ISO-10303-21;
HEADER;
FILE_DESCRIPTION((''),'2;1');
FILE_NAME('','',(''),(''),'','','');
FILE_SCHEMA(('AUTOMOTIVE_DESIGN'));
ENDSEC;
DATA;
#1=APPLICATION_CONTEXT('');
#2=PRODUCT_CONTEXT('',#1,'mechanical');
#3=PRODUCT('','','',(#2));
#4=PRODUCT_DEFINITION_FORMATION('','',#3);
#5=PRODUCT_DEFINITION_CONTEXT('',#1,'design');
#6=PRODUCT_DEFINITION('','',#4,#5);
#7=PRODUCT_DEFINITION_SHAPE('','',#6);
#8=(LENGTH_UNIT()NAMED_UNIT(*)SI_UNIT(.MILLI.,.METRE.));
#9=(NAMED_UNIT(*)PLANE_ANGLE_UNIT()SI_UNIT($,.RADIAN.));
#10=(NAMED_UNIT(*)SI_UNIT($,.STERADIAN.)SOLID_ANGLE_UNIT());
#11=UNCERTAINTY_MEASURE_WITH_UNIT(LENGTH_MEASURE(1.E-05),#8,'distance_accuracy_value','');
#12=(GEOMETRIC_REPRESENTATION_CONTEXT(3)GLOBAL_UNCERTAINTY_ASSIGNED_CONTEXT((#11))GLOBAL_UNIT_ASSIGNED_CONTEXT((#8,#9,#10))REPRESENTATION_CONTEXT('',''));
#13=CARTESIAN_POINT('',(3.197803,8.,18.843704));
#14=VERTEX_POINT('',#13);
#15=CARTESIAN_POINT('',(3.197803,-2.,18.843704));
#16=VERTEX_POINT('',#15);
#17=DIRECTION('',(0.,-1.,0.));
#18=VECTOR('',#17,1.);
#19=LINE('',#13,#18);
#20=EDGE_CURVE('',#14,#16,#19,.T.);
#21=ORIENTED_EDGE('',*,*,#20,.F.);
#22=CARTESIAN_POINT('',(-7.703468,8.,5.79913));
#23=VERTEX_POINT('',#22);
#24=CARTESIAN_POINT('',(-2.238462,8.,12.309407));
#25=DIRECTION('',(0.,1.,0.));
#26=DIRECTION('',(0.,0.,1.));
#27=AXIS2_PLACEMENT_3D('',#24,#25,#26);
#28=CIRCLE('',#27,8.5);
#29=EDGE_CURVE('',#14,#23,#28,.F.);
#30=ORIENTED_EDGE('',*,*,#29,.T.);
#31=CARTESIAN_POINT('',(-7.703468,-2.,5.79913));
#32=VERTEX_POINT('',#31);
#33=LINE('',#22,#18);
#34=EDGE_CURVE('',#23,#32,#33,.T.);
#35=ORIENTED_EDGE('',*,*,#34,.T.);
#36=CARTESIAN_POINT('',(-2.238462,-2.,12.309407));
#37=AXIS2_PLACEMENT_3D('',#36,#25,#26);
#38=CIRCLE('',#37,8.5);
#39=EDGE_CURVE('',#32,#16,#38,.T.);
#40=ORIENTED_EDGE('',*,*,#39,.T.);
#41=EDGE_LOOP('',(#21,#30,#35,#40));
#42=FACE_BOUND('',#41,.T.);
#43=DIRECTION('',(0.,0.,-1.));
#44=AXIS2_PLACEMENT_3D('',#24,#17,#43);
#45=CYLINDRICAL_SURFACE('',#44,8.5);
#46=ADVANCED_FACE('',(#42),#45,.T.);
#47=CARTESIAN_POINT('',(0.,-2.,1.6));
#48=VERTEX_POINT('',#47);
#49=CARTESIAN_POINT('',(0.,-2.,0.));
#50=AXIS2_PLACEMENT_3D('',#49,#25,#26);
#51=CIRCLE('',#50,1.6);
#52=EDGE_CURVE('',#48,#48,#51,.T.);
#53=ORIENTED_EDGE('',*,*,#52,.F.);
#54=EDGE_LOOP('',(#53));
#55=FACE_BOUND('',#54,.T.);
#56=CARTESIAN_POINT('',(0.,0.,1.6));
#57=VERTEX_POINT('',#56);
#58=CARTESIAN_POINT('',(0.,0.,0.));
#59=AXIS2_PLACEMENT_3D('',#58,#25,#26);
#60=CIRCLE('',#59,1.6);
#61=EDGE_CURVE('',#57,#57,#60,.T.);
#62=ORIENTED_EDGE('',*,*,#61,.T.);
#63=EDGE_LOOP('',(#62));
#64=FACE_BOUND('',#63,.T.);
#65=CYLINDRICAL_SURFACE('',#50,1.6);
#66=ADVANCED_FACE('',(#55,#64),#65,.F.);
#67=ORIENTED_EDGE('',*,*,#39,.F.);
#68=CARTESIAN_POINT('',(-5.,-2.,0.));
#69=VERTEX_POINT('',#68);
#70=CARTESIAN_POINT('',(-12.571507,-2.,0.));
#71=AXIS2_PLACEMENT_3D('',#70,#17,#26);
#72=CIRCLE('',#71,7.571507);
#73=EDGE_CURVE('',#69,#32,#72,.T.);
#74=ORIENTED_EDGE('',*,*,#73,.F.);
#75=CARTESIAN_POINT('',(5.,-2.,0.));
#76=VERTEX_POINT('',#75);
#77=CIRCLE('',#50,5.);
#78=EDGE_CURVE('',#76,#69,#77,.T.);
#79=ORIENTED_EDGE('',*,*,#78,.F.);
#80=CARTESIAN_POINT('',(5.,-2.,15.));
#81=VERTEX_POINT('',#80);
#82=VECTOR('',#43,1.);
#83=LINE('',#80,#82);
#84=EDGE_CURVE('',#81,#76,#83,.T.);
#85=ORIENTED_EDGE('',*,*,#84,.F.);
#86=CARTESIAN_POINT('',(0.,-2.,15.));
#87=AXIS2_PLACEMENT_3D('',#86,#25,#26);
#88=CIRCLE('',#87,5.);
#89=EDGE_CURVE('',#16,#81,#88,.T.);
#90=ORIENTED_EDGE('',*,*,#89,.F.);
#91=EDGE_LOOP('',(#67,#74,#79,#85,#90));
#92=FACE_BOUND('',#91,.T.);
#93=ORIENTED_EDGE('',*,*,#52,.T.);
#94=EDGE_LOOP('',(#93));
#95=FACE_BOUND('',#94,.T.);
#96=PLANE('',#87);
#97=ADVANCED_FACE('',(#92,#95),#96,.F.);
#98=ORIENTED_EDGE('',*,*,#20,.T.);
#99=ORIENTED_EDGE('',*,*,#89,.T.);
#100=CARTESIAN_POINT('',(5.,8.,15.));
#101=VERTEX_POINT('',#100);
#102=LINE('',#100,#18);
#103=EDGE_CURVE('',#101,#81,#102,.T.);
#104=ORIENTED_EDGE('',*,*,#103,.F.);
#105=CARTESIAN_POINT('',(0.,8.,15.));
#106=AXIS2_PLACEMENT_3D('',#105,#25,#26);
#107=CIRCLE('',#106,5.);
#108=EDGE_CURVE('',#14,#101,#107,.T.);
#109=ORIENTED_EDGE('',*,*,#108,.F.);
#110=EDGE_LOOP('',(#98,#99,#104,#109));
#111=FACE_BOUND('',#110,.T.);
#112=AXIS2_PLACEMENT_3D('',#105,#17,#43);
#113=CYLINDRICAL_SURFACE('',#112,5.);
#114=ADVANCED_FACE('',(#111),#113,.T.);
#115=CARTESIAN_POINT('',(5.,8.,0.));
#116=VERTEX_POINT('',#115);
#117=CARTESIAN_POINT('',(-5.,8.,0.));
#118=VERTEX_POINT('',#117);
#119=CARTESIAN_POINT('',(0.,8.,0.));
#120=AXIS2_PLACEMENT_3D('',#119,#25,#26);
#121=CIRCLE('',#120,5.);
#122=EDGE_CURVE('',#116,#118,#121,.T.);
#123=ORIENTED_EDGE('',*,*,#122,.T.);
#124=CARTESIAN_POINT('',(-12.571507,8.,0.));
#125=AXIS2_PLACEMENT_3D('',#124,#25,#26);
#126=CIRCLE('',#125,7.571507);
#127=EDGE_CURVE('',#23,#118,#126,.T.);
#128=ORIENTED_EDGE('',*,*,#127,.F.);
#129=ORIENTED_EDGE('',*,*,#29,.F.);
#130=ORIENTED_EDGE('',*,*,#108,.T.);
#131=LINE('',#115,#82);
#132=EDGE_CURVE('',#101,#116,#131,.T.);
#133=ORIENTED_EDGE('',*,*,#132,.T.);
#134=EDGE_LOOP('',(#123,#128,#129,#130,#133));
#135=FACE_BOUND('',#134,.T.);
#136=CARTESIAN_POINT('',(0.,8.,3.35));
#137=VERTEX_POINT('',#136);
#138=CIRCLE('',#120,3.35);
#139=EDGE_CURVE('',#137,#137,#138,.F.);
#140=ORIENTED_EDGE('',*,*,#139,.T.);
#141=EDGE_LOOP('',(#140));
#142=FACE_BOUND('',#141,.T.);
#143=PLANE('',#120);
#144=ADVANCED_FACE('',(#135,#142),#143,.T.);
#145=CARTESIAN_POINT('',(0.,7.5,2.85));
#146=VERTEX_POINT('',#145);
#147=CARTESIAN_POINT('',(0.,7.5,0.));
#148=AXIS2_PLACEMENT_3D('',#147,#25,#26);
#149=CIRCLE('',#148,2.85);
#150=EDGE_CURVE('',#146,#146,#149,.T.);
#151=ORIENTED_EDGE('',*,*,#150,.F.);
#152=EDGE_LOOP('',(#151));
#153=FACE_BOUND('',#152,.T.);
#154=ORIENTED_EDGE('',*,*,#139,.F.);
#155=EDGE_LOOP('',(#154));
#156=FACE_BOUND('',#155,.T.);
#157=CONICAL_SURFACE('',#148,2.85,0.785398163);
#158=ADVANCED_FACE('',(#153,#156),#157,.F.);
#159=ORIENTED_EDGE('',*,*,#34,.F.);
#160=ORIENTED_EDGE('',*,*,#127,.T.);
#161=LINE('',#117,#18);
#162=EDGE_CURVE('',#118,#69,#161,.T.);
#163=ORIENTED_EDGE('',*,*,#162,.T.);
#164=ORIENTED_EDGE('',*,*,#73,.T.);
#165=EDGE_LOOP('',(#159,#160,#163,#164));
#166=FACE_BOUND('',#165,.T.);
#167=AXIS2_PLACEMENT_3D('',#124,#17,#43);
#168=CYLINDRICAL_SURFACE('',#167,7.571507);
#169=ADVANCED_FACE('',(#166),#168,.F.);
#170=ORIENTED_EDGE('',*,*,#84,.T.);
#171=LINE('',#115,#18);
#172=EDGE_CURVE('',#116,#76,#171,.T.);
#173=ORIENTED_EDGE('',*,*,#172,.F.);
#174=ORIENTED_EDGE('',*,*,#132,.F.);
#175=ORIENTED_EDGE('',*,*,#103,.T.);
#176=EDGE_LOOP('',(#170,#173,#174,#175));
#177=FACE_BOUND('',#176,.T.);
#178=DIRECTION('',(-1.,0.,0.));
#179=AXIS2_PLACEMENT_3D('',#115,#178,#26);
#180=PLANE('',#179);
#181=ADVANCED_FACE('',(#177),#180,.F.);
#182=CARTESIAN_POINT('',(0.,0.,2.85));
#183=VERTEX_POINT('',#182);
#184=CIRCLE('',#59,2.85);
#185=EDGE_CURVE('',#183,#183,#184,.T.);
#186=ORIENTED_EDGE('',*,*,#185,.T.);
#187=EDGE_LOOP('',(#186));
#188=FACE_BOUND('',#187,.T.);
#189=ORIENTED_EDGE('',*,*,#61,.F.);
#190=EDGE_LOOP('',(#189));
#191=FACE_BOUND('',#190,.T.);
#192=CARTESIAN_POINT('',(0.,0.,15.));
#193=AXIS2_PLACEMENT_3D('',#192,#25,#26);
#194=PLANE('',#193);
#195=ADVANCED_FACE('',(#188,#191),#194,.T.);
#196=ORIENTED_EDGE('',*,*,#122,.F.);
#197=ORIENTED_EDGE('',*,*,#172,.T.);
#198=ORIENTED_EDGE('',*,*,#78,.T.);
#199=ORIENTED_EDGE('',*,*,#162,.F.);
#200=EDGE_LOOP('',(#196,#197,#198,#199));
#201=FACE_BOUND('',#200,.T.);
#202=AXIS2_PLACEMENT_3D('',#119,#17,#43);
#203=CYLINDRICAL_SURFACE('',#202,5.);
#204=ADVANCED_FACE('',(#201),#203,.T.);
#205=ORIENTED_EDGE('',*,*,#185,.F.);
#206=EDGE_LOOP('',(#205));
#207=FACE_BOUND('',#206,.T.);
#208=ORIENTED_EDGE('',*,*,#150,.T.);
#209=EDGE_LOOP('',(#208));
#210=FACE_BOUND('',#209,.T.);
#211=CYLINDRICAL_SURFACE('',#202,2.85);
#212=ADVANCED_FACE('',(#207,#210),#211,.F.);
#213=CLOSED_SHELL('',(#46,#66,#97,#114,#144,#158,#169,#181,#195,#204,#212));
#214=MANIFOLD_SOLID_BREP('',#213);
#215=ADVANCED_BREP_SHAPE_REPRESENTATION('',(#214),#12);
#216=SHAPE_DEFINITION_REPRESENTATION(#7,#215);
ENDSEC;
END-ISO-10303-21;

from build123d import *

# Parameters (mm, degrees)
SKETCH2_R           = 2.85
BOSS_EXTRUDE1_DEPTH = 8
CHAMFER1_SIZE       = 0.5
BOSS_EXTRUDE3_START = -2
SKETCH4_R           = 1.6
BOSS_EXTRUDE3_DEPTH = 2


with BuildPart() as part:
    # Sketch2 → Boss-Extrude1 (new body)
    with BuildSketch(Plane(origin=(0, 0, 0), x_dir=(1, 0, 0), z_dir=(0, 1, 0))):
        with BuildLine():
            ThreePointArc((5, 0), (0, 5), (-5, 0))
            ThreePointArc((-5, 0), (-5.709068994, -3.199165875), (-7.703467842, -5.799130177))
            ThreePointArc((-7.703467842, -5.799130177), (-8.760764425, -17.760055771), (3.19780255, -18.843703794))
            ThreePointArc((3.19780255, -18.843703794), (4.527085859, -17.122614809), (5, -15))
            Line((5, -15), (5, 0))
        make_face()
        with Locations(Location((0, 0, 0), (0, 0, 270))):
            Circle(SKETCH2_R, mode=Mode.SUBTRACT)
    extrude(amount=BOSS_EXTRUDE1_DEPTH)

    # Chamfer1
    chamfer1_edges = [part.edges().sort_by_distance(p)[0] for p in [
        (0, 8, -2.85),
    ]]
    chamfer(chamfer1_edges, length=CHAMFER1_SIZE)

    # Sketch4 → Boss-Extrude3 (add)
    with BuildSketch(Plane(origin=(0, 0, 0), x_dir=(1, 0, 0), z_dir=(0, 1, 0)).offset(BOSS_EXTRUDE3_START)):
        with BuildLine():
            Line((5, -15), (5, 0))
            ThreePointArc((5, 0), (0, 5), (-5, 0))
            ThreePointArc((-5, 0), (-5.709068994, -3.199165875), (-7.703467842, -5.799130177))
            ThreePointArc((-7.703467842, -5.799130177), (-8.760764425, -17.760055771), (3.19780255, -18.843703794))
            ThreePointArc((3.19780255, -18.843703794), (4.527085859, -17.122614809), (5, -15))
        make_face()
        with Locations(Location((0, 0, 0), (0, 0, 270))):
            Circle(SKETCH4_R, mode=Mode.SUBTRACT)
    extrude(amount=BOSS_EXTRUDE3_DEPTH)


solid = part.part
